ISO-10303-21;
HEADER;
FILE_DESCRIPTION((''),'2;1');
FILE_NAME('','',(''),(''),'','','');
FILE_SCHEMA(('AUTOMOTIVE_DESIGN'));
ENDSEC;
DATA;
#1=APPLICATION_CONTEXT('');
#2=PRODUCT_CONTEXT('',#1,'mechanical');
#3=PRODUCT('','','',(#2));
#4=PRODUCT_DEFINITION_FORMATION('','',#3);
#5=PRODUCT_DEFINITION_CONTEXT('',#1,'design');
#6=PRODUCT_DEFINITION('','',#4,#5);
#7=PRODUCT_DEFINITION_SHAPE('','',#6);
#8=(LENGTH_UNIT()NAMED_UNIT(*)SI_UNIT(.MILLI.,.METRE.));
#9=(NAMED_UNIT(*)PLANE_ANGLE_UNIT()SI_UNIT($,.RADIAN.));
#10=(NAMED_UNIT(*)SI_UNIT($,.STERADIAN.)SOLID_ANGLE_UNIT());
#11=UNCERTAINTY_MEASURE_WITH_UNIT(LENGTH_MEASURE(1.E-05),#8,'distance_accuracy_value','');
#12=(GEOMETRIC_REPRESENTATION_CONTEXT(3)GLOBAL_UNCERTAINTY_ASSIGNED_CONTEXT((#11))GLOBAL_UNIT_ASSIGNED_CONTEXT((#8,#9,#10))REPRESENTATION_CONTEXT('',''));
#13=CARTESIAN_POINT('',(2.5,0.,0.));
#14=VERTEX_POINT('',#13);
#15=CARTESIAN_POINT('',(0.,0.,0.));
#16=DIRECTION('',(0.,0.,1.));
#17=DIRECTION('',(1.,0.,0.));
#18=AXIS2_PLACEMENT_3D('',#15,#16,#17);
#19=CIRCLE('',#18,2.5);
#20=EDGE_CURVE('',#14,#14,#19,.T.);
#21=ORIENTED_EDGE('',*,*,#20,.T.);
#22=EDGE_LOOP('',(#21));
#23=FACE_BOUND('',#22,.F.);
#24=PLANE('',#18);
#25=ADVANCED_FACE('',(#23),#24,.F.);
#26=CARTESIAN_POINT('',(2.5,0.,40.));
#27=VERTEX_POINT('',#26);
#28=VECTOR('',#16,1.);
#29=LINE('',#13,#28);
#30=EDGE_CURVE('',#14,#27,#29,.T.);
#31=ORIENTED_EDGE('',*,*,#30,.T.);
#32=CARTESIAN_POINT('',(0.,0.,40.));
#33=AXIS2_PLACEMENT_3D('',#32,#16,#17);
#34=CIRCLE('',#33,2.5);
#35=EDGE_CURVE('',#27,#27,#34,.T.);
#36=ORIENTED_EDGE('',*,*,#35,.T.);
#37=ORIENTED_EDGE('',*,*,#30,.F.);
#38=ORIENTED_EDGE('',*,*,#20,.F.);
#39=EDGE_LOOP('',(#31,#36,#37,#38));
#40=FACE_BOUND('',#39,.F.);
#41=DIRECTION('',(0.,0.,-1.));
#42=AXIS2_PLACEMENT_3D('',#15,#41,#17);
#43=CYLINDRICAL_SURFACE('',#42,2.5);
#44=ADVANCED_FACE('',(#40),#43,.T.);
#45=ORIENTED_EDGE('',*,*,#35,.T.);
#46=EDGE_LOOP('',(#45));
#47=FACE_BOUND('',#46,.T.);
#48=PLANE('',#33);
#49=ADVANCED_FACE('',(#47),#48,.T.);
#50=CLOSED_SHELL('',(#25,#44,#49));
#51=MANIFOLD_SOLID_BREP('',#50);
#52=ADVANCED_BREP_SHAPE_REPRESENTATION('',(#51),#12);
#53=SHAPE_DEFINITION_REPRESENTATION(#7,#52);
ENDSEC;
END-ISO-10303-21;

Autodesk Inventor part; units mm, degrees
ref_plane "YZ Plane" through (0, 0, 0) normal (1, 0, 0) x (0, 1, 0)
ref_plane "XZ Plane" through (0, 0, 0) normal (0, 1, 0) x (-1, 0, 0)
ref_plane "XY Plane" through (0, 0, 0) normal (0, 0, 1) x (1, 0, 0)
sketch "Sketch1" plane through (0, 0, 0) normal (0, 0, 1) x (1, 0, 0)
  circle A0 centre (0, 0) radius 2.5
  dimension "d0" = 5
extrude "Extrusion1" add sketch "Sketch1" along normal blind 40
properties part number "ShortRod"
